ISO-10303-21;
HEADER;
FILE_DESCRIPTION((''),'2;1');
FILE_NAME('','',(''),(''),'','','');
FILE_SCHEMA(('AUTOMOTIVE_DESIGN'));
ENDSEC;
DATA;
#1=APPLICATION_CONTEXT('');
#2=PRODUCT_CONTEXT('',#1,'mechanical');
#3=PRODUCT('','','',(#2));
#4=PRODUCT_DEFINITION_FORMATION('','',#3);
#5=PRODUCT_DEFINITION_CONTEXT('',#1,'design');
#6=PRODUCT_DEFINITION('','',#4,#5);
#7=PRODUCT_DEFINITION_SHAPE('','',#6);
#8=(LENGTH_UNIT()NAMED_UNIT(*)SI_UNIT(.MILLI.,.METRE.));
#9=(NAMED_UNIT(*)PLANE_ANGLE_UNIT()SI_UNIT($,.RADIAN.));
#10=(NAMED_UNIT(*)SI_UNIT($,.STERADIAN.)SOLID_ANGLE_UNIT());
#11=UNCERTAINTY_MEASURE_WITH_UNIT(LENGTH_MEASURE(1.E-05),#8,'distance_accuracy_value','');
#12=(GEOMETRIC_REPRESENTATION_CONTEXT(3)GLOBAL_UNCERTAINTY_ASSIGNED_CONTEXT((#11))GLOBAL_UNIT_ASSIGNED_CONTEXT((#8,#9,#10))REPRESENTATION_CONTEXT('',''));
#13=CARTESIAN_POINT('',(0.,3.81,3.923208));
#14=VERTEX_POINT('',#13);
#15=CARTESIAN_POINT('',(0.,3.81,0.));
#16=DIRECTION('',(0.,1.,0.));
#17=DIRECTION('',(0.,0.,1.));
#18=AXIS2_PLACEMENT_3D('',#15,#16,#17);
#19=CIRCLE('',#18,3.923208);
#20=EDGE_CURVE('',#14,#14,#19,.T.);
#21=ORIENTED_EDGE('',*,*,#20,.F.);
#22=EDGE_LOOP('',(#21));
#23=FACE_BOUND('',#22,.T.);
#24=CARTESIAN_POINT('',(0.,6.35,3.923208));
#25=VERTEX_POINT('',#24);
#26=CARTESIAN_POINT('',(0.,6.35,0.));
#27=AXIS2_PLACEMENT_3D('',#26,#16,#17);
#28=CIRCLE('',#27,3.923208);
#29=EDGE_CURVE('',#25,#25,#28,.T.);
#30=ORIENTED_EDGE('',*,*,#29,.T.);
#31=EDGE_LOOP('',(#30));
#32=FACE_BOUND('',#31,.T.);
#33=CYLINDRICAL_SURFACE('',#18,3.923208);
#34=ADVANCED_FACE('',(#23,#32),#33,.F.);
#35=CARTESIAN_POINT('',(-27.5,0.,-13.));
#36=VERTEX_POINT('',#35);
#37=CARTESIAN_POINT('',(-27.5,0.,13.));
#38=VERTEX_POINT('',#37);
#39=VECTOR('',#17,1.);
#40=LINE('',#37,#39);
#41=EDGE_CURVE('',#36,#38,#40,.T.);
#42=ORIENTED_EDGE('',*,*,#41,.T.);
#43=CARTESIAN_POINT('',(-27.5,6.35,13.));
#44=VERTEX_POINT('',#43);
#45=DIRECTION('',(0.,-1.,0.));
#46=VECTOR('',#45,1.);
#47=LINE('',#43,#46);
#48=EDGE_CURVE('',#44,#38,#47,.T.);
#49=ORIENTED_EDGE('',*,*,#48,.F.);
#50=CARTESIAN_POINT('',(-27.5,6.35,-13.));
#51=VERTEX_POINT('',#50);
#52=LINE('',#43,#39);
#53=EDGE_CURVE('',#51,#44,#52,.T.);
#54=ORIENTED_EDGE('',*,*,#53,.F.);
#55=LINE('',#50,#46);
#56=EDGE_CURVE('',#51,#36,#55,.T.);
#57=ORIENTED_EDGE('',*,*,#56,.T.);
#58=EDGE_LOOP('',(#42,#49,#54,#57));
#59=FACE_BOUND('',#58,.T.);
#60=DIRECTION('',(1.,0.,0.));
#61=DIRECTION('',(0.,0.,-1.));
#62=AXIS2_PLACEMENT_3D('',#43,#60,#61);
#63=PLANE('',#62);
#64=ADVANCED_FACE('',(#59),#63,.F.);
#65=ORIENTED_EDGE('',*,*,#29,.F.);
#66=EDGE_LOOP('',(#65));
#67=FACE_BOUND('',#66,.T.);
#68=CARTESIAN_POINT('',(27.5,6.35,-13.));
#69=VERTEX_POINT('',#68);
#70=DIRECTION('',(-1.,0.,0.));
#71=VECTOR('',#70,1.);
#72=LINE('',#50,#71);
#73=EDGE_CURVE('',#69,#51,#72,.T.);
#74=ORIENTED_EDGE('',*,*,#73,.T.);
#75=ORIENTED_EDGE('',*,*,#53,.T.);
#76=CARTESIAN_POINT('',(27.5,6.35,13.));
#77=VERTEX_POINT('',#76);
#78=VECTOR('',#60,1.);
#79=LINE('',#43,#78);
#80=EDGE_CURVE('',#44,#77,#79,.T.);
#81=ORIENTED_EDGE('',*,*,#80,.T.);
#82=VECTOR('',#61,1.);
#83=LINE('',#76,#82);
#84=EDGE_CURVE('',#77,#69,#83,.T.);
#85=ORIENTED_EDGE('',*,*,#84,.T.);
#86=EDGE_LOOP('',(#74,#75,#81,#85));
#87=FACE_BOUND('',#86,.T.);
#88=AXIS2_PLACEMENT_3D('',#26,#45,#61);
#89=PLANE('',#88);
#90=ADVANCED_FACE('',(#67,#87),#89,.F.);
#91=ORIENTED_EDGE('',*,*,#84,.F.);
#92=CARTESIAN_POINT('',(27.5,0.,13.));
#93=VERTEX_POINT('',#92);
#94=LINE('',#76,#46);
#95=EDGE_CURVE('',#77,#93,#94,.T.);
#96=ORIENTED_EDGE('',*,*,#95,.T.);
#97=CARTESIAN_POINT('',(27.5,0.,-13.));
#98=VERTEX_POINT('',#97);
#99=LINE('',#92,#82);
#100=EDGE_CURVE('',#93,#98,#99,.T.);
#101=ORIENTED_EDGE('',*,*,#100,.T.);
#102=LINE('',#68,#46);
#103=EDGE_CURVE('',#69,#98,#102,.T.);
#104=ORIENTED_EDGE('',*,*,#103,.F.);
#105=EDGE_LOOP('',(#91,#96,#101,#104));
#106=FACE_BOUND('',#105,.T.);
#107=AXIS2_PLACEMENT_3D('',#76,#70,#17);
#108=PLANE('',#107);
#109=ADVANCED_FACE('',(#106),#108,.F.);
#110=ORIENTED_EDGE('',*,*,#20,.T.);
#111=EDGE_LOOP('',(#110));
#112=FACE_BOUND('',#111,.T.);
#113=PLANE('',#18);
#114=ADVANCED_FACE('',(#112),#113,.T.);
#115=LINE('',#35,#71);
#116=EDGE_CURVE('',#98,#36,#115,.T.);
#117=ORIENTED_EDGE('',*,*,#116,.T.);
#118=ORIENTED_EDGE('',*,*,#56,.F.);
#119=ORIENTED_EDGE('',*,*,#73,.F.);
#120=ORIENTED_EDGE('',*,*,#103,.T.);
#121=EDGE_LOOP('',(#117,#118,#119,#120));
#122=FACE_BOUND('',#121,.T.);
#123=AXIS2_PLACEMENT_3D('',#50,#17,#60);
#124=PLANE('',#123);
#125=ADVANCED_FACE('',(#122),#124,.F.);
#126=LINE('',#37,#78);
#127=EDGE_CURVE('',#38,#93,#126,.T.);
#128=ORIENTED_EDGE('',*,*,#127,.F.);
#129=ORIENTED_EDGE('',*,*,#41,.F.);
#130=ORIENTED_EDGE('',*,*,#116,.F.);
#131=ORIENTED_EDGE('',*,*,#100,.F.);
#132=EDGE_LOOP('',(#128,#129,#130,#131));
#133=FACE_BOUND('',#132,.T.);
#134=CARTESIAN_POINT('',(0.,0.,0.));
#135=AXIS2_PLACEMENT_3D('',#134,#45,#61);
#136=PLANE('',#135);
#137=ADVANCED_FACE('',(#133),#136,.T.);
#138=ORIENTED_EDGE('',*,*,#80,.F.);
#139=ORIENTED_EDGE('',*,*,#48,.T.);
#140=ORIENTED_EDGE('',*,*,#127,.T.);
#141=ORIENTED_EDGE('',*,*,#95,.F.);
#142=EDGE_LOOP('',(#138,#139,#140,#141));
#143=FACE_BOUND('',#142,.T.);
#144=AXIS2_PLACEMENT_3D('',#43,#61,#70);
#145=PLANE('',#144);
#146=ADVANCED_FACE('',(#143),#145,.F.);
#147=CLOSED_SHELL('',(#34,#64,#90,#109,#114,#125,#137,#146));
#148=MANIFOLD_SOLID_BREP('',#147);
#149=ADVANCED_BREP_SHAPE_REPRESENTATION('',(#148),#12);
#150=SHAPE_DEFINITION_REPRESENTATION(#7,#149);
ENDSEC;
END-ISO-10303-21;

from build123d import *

# Parameters (mm, degrees)
SKETCH1_W           = 55
SKETCH1_H           = 26
BOSS_EXTRUDE1_DEPTH = 6.35
SKETCH2_R           = 3.923207931
CUT_EXTRUDE1_DEPTH  = 2.54


with BuildPart() as part:
    # Sketch1 → Boss-Extrude1 (new body)
    with BuildSketch(Plane(origin=(0, 0, 0), x_dir=(1, 0, 0), z_dir=(0, 1, 0))):
        Rectangle(SKETCH1_W, SKETCH1_H)
    extrude(amount=BOSS_EXTRUDE1_DEPTH)

    # Sketch2 → Cut-Extrude1 (cut)
    with BuildSketch(Plane(origin=(0, 6.35, 0), x_dir=(1, 0, 0), z_dir=(0, 1, 0))):
        Circle(SKETCH2_R)
    extrude(amount=-CUT_EXTRUDE1_DEPTH, mode=Mode.SUBTRACT)


solid = part.part
